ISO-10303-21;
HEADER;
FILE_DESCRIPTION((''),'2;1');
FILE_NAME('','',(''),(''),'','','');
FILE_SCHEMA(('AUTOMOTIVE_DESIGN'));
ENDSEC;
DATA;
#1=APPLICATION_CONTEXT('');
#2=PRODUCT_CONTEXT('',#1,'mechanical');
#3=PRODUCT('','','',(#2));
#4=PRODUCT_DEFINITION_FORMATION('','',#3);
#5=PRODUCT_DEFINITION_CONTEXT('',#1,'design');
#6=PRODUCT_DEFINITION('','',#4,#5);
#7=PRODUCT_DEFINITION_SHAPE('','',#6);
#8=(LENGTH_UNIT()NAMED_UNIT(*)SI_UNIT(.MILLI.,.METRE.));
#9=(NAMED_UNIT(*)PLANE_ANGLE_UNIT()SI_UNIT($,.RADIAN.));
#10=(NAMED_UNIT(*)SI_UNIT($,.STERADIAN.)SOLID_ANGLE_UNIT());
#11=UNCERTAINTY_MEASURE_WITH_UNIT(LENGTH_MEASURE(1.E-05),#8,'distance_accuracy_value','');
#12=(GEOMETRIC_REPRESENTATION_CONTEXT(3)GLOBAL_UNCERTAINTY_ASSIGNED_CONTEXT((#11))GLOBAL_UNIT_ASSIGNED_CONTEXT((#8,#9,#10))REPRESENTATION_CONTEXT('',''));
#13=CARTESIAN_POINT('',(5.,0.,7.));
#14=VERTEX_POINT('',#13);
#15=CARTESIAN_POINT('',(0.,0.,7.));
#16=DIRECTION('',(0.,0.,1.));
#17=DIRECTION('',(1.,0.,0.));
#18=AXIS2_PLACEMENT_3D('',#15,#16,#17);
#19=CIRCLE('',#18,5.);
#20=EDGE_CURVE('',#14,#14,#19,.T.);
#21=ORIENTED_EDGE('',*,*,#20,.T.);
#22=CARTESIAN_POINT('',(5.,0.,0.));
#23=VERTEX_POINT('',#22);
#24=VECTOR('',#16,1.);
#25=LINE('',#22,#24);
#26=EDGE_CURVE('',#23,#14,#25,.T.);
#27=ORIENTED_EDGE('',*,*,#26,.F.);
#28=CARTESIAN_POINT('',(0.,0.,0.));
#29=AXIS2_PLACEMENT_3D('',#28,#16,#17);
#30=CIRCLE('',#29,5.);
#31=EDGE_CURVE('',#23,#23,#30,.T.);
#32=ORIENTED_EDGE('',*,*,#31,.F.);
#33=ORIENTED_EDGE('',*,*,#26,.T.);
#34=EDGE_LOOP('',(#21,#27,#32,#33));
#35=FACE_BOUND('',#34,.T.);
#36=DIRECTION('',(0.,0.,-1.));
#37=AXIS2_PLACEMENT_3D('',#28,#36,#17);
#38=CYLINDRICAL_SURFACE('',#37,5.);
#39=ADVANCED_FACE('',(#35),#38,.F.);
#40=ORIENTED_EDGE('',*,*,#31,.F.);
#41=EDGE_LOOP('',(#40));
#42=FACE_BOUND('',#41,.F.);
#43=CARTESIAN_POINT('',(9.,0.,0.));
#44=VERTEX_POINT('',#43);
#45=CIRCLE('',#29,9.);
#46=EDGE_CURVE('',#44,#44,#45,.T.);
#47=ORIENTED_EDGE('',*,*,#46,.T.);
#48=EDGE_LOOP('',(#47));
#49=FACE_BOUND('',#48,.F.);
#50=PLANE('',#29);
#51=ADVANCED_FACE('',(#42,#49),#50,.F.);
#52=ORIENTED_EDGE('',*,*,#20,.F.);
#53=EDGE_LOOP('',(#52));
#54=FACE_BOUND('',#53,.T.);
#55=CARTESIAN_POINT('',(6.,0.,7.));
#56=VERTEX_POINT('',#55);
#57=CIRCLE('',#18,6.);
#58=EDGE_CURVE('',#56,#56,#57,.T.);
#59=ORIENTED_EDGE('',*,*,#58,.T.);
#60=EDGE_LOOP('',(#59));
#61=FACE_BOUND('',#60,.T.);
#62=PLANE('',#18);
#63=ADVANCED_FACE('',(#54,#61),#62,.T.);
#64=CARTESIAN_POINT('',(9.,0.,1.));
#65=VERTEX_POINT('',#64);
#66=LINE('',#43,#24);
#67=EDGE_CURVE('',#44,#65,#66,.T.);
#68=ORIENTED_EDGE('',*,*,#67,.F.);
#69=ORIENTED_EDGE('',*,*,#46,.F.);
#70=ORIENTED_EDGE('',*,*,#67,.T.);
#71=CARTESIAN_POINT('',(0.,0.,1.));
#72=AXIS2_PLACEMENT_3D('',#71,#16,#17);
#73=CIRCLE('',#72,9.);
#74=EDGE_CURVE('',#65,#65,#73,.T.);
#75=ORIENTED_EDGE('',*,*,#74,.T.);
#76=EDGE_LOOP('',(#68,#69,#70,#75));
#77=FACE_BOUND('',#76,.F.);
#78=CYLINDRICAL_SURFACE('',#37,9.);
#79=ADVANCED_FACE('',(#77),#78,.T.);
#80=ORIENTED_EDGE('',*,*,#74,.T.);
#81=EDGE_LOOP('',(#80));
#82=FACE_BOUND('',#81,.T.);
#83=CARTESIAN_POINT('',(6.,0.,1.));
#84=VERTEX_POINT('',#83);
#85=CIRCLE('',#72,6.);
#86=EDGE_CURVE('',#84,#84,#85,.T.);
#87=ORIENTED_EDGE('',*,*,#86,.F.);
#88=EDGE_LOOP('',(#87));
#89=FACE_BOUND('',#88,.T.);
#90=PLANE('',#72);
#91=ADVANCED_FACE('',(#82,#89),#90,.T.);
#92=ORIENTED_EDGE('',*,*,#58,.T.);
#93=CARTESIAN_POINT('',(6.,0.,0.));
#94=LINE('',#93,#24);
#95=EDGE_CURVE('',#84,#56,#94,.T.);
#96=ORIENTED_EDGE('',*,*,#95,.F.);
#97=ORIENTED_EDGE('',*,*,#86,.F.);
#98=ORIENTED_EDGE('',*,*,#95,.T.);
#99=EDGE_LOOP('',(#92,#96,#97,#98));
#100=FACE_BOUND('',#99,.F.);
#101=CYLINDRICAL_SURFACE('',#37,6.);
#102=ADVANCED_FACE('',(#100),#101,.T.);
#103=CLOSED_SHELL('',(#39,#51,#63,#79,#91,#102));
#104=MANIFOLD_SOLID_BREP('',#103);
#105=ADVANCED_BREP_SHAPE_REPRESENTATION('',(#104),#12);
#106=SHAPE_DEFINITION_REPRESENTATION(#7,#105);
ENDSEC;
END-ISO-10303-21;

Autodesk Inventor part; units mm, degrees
ref_plane "YZ Plane" through (0, 0, 0) normal (1, 0, 0) x (0, 1, 0)
ref_plane "XZ Plane" through (0, 0, 0) normal (0, 1, 0) x (-1, 0, 0)
ref_plane "XY Plane" through (0, 0, 0) normal (0, 0, 1) x (1, 0, 0)
sketch "スケッチ1" plane through (0, 0, 0) normal (0, 0, 1) x (1, 0, 0)
  circle A0 centre (0, 0) radius 5
  circle A1 centre (0, 0) radius 6
  circle A2 centre (0, 0) radius 9
  dimension "d0" = 10
  dimension "d1" = 12
  dimension "d2" = 18
extrude "押し出し1" add sketch "スケッチ1" along normal blind 1 contours A2
extrude "押し出し2" add sketch "スケッチ1" along normal blind 7 contours A1
properties part number "オイレスドライメットFd10D12L7" material "アセタール樹脂、黒"
